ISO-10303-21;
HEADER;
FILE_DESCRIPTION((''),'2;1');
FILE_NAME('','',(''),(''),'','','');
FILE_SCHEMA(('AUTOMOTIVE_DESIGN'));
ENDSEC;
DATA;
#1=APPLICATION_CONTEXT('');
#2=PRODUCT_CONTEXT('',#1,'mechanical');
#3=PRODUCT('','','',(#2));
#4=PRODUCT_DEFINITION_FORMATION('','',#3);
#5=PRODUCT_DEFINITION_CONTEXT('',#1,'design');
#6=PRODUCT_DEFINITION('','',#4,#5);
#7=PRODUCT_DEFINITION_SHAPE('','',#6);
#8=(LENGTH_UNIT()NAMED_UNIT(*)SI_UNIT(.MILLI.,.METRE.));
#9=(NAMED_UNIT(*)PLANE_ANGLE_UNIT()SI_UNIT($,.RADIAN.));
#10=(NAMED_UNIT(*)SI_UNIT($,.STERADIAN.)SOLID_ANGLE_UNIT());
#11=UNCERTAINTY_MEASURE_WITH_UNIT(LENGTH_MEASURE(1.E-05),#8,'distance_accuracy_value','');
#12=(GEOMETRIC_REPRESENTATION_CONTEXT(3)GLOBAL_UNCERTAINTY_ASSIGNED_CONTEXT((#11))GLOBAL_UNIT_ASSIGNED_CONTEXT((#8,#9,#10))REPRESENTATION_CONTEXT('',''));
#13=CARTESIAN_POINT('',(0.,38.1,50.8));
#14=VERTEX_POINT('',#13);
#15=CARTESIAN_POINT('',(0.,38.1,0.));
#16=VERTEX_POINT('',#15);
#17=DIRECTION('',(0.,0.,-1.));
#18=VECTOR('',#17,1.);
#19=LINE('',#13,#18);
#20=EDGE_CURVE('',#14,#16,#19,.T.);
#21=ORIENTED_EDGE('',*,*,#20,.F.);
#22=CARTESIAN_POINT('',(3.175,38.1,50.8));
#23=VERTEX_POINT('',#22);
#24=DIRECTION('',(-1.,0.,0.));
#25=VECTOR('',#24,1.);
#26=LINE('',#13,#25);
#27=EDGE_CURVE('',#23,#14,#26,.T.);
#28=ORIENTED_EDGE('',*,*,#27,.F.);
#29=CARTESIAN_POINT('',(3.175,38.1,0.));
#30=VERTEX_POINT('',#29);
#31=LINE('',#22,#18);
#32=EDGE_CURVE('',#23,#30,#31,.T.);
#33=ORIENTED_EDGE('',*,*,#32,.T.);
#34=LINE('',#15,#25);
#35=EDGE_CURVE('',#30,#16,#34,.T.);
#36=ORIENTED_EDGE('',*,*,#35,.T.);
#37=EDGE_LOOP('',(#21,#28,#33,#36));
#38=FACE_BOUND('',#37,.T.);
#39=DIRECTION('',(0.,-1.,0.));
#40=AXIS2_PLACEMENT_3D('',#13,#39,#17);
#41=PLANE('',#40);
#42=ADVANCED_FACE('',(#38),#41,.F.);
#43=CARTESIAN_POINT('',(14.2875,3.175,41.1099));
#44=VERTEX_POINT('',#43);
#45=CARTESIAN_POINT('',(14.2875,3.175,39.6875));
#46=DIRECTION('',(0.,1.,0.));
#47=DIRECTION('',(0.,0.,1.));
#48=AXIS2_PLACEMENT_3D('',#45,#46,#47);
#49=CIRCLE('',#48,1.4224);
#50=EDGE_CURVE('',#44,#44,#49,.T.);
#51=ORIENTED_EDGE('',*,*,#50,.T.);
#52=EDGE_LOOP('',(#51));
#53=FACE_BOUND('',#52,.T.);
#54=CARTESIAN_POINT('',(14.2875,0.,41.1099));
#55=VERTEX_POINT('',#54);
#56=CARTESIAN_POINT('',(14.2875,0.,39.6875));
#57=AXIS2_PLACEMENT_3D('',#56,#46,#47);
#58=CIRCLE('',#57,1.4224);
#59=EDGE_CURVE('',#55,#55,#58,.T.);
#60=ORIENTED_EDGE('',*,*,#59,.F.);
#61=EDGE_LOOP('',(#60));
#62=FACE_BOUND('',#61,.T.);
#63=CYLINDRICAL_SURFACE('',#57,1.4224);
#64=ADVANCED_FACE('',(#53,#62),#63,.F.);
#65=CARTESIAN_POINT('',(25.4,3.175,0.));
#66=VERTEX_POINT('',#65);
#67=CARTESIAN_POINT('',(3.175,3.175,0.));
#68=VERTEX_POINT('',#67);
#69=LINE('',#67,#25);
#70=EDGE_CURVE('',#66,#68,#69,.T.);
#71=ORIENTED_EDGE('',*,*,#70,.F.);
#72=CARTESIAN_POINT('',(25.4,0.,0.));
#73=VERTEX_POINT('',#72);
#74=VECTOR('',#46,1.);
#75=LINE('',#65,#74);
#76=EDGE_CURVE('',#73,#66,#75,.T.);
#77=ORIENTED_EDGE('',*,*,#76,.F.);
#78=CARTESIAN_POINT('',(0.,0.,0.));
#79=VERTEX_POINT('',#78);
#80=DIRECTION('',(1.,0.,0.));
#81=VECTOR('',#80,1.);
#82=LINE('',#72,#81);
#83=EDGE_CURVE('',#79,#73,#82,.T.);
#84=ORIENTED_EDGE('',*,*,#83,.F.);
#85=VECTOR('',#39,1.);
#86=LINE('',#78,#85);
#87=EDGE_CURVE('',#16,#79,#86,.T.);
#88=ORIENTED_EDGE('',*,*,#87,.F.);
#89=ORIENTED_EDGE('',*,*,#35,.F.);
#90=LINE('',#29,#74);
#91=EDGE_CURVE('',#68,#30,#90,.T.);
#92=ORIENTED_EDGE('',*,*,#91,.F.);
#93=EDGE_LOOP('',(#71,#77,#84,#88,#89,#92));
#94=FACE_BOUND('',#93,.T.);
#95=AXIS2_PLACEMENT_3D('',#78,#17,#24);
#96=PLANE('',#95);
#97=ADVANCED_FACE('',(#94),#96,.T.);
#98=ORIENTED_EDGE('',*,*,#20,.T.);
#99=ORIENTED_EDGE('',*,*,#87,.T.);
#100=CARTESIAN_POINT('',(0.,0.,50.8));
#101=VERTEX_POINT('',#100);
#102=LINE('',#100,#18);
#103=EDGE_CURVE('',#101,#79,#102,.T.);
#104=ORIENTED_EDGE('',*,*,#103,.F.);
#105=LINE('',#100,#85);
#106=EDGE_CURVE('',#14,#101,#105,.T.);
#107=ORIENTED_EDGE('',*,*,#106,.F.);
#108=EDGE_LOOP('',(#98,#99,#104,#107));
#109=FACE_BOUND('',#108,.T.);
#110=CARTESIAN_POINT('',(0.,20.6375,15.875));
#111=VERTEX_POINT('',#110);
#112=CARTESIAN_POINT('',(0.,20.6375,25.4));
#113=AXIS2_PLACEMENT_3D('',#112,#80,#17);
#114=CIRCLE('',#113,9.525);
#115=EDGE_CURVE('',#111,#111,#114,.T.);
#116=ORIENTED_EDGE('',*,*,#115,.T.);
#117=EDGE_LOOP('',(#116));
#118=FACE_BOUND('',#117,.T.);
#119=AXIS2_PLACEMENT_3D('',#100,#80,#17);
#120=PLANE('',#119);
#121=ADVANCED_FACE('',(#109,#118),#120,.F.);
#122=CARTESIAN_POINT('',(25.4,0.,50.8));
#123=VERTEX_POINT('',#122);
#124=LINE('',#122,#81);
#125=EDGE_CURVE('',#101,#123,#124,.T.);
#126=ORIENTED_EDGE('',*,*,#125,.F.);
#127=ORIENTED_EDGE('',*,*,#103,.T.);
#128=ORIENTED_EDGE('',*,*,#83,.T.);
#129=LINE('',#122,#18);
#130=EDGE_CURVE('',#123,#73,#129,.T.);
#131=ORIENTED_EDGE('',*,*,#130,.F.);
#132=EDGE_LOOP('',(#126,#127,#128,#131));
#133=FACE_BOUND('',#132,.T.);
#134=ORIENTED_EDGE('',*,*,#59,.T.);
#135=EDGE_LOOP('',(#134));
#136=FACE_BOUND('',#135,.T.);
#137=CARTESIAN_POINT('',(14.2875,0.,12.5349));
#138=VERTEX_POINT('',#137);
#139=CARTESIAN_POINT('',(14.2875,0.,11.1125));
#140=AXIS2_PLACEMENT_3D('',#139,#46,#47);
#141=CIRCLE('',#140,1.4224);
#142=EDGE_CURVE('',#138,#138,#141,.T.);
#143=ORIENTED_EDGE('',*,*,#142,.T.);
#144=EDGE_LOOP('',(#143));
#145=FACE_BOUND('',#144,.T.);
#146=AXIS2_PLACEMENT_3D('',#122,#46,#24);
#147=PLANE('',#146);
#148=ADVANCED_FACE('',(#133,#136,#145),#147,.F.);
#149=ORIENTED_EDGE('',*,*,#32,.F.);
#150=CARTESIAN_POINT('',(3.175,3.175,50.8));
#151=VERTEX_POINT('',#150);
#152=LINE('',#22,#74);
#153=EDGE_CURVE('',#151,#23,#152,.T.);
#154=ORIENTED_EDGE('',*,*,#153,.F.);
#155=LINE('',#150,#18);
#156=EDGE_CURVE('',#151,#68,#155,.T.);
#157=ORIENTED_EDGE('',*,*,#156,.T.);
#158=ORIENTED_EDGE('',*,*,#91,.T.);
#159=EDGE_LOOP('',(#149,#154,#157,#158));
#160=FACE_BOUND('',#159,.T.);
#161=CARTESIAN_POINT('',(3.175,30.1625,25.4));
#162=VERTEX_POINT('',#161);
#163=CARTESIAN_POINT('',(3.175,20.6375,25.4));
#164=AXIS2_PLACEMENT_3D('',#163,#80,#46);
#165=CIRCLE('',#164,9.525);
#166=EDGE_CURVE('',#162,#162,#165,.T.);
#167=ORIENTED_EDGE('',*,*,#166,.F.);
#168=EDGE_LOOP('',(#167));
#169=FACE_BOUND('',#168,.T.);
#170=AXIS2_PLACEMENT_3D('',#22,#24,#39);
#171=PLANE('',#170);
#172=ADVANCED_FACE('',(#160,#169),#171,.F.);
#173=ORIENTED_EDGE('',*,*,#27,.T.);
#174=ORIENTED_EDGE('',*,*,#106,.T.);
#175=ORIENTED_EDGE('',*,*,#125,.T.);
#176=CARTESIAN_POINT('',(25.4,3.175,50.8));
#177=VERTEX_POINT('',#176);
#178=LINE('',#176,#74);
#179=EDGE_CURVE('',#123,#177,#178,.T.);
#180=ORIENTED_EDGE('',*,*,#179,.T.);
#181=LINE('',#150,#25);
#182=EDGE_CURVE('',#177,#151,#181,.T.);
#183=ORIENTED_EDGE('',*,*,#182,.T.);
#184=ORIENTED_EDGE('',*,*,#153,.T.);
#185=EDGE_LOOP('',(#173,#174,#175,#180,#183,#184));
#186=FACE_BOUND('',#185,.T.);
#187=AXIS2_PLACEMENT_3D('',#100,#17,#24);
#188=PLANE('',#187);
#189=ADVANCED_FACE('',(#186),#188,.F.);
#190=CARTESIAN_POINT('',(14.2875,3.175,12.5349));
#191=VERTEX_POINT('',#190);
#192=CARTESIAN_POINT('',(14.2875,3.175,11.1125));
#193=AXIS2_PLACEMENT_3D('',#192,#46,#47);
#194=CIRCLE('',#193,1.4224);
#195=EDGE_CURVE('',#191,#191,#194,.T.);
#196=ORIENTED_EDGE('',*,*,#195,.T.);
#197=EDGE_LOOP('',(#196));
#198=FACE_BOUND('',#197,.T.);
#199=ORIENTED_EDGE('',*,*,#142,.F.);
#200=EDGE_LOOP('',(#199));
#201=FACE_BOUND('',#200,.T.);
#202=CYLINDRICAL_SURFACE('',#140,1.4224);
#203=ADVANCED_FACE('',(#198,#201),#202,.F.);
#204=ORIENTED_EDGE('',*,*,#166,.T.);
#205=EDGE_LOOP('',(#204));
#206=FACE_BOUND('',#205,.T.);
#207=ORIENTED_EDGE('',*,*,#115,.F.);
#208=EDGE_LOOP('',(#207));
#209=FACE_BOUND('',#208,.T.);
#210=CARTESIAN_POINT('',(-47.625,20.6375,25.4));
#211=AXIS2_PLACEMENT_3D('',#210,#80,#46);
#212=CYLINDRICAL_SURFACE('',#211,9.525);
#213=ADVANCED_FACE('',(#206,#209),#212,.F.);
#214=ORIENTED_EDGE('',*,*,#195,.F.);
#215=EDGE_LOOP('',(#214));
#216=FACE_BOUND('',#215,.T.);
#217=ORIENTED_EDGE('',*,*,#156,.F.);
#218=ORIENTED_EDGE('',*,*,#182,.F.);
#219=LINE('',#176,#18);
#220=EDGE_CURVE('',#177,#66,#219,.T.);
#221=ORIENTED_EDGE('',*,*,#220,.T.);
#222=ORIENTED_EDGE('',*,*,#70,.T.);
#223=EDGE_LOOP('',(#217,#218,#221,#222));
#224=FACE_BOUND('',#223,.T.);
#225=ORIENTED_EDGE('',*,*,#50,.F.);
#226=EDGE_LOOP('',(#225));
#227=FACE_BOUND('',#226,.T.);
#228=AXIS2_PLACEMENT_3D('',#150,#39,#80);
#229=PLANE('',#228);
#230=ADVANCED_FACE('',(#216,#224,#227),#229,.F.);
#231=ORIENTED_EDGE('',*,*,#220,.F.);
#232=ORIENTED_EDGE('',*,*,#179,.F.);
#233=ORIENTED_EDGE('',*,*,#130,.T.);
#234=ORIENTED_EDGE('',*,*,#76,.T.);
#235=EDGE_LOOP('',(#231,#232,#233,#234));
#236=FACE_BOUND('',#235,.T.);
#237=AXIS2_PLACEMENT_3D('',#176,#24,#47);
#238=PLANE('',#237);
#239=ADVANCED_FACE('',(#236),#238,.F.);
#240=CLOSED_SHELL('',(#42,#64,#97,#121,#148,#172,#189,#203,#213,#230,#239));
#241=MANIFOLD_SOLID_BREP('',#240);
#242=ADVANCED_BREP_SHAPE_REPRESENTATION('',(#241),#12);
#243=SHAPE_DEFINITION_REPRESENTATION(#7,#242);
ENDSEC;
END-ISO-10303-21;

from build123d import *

# Parameters (mm, degrees)
BOSS_EXTRUDE1_DEPTH = 50.8
SKETCH2_R           = 9.525
CUT_EXTRUDE1_DEPTH  = 50.8
SKETCH3_R           = 1.4224
CUT_EXTRUDE2_DEPTH  = 67.675


with BuildPart() as part:
    # Sketch1 → Boss-Extrude1 (new body)
    with BuildSketch(Plane.XY):
        Polygon((25.4, 0), (0, 0), (0, 38.1), (3.175, 38.1), (3.175, 3.175), (25.4, 3.175), align=None)
    extrude(amount=BOSS_EXTRUDE1_DEPTH)

    # Sketch2 → Cut-Extrude1 (cut)
    with BuildSketch(Plane(origin=(3.175, 0, 0), x_dir=(0, 0, -1), z_dir=(1, 0, 0))):
        with Locations(Location((-25.4, 20.6375, 0), (0, 0, 90))):
            Circle(SKETCH2_R)
    extrude(amount=-CUT_EXTRUDE1_DEPTH, mode=Mode.SUBTRACT)

    # Sketch3 → Cut-Extrude2 (cut, through all)
    with BuildSketch(Plane(origin=(0, 3.175, 0), x_dir=(1, 0, 0), z_dir=(0, 1, 0))):
        with Locations(Location((14.2875, -11.1125, 0), (0, 0, 270))):
            Circle(SKETCH3_R)
        with Locations(Location((14.2875, -39.6875, 0), (0, 0, 270))):
            Circle(SKETCH3_R)
    extrude(amount=-CUT_EXTRUDE2_DEPTH, mode=Mode.SUBTRACT)


solid = part.part
